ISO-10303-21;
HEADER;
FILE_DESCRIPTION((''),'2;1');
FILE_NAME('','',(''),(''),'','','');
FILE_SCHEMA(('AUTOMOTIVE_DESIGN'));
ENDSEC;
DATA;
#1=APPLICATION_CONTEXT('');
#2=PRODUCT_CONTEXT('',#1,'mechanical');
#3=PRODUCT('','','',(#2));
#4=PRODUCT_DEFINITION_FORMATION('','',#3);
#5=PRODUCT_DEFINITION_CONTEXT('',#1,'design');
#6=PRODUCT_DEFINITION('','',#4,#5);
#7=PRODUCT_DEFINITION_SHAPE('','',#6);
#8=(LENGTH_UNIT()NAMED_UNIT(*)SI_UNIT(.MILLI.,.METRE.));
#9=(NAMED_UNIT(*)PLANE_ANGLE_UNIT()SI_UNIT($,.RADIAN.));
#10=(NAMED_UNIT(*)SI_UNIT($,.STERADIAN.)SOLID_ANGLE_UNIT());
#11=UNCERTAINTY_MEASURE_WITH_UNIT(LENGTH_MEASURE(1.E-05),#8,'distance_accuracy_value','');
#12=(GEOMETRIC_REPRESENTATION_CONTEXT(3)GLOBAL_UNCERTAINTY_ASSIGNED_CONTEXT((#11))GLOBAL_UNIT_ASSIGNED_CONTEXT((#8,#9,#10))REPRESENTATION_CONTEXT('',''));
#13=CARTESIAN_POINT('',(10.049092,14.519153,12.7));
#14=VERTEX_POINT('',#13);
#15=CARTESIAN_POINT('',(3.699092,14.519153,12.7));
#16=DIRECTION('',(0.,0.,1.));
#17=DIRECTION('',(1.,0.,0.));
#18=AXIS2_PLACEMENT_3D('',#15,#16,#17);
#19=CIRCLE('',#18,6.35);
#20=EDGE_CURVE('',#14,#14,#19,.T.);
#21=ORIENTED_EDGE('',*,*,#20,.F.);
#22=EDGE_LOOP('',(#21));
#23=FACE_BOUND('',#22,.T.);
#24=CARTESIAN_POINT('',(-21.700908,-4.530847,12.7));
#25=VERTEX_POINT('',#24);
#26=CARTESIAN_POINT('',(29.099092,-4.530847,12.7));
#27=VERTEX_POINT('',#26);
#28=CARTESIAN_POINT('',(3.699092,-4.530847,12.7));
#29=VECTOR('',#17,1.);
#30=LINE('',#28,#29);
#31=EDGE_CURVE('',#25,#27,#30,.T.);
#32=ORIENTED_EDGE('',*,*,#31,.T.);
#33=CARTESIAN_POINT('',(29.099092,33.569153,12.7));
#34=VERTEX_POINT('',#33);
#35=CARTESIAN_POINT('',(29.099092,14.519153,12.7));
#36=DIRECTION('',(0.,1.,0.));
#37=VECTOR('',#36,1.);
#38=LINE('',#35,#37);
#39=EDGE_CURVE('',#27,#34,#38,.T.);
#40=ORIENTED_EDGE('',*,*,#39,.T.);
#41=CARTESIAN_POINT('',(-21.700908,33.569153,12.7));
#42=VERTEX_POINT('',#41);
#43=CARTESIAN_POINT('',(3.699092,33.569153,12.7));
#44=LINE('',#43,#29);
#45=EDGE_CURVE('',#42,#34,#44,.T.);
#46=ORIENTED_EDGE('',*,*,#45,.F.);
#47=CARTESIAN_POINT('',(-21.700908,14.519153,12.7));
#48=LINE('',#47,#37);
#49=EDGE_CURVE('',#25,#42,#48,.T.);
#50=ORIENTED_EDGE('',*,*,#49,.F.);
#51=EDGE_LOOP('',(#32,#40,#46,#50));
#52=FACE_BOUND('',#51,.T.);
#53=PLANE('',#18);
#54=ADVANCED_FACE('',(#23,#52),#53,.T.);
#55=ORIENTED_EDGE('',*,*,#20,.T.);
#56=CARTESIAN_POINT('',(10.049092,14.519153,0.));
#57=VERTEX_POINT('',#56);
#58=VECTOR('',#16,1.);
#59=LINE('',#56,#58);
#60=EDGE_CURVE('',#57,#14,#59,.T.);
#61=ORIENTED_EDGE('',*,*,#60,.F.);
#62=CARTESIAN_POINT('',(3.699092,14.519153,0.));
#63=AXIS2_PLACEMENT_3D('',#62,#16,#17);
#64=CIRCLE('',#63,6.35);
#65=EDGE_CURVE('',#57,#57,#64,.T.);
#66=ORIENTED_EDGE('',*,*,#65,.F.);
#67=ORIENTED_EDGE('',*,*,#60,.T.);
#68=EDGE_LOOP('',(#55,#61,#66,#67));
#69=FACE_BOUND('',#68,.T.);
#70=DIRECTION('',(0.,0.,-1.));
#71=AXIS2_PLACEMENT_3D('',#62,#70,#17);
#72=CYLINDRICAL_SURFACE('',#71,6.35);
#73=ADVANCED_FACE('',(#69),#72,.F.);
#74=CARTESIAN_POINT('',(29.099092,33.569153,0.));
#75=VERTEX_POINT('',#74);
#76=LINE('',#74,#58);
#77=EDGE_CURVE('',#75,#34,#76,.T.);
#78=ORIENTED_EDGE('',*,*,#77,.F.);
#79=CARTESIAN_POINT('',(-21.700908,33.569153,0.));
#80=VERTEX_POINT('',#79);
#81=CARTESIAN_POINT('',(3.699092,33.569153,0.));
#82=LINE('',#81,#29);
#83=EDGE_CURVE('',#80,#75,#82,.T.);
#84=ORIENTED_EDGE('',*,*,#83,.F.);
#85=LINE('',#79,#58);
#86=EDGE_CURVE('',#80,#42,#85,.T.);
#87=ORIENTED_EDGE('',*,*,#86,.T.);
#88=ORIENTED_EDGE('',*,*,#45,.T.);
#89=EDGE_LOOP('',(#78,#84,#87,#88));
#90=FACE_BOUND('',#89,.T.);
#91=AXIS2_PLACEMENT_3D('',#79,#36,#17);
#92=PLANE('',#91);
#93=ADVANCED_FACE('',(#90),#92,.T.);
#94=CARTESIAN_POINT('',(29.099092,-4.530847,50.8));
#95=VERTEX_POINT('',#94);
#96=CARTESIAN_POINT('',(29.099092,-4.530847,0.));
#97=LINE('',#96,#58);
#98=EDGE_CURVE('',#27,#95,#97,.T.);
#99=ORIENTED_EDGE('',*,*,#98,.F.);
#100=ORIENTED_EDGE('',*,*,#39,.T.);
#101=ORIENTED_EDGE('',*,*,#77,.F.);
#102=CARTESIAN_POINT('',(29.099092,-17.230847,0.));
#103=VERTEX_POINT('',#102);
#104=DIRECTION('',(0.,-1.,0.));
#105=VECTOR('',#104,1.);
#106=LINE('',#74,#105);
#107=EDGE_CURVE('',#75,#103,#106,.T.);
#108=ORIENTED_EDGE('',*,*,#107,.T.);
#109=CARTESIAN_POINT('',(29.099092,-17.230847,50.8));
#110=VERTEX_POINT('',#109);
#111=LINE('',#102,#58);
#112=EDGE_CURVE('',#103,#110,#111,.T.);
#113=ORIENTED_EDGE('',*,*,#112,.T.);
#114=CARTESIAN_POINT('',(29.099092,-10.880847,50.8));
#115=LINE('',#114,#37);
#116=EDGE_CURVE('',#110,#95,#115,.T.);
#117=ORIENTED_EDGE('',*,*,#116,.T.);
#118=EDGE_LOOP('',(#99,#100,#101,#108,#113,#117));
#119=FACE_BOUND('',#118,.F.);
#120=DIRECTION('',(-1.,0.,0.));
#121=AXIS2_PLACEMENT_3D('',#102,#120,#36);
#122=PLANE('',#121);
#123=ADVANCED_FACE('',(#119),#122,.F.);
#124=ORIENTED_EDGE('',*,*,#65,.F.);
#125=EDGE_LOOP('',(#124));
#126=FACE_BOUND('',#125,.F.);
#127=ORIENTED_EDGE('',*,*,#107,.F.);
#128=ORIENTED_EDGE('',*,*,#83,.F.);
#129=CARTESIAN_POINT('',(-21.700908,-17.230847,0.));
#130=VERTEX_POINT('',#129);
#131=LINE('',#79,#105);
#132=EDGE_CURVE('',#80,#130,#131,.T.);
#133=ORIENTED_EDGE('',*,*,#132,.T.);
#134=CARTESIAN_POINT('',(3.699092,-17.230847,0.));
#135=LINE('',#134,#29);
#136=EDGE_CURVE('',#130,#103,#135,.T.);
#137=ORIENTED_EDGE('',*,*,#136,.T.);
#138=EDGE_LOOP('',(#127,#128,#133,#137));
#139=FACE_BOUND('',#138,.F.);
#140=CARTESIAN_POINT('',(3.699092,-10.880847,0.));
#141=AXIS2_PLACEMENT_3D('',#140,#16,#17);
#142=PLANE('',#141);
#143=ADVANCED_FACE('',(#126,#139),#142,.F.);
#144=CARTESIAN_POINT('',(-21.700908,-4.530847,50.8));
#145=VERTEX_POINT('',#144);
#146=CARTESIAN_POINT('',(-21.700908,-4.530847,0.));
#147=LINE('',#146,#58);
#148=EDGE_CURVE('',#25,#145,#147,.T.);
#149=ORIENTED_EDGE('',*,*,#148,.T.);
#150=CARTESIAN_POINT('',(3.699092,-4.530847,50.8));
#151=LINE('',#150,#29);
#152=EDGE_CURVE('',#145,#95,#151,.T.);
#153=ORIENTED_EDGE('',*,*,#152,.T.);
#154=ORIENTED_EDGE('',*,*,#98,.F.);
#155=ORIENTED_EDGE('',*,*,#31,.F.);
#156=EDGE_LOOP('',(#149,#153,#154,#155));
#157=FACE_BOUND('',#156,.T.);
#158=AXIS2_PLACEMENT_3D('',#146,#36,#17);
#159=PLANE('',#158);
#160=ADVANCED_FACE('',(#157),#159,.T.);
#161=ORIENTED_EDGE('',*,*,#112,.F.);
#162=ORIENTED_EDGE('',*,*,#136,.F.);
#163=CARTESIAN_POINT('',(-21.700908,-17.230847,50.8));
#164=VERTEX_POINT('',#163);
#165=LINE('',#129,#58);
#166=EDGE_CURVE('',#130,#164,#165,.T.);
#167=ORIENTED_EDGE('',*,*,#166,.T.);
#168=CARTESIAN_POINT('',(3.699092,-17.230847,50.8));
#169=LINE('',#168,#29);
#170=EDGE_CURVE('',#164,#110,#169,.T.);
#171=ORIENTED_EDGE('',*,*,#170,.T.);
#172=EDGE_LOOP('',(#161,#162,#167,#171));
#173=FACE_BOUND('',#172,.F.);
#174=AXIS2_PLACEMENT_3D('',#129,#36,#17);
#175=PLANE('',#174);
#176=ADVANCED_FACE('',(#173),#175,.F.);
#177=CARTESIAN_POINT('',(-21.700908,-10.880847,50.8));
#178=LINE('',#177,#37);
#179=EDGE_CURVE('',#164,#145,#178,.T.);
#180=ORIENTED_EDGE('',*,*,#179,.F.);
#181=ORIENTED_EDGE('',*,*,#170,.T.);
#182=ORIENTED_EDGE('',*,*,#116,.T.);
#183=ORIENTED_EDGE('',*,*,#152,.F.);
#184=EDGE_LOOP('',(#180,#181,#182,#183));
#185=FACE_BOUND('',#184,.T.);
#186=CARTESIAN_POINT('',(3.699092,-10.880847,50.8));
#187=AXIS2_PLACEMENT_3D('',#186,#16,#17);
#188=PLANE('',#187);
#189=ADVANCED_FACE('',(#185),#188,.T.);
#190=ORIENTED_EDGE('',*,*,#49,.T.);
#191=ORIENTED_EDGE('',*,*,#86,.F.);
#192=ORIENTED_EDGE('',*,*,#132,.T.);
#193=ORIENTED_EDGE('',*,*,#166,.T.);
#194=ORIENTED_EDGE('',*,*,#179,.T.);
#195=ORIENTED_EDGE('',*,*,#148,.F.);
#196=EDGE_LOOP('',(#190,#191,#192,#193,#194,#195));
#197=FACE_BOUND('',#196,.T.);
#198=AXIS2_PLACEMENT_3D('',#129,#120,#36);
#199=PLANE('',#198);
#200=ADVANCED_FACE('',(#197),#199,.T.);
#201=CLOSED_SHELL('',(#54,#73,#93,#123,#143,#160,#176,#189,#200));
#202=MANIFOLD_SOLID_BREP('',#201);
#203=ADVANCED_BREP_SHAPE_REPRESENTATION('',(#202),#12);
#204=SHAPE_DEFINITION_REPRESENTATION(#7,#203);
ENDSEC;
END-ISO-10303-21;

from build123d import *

# Parameters (mm, degrees)
F0_W     = 50.8
F0_H     = 38.1
F0_R     = 6.35
F1_DEPTH = 12.7
F0_H_2   = 12.7
F2_DEPTH = 50.8


with BuildPart() as f1:
    # F0 (on Top) → F1 (new body)
    with BuildSketch(Plane.XY):
        with Locations((3.699092, 14.519153)):
            Rectangle(F0_W, F0_H)
        with Locations((3.699092, 14.519153)):
            Circle(F0_R, mode=Mode.SUBTRACT)
    extrude(amount=F1_DEPTH)

    # F0 (on Top) → F2 (join)
    with BuildSketch(Plane.XY):
        with Locations((3.699092, -10.880847)):
            Rectangle(F0_W, F0_H_2)
    extrude(amount=F2_DEPTH)


solid = f1.part
